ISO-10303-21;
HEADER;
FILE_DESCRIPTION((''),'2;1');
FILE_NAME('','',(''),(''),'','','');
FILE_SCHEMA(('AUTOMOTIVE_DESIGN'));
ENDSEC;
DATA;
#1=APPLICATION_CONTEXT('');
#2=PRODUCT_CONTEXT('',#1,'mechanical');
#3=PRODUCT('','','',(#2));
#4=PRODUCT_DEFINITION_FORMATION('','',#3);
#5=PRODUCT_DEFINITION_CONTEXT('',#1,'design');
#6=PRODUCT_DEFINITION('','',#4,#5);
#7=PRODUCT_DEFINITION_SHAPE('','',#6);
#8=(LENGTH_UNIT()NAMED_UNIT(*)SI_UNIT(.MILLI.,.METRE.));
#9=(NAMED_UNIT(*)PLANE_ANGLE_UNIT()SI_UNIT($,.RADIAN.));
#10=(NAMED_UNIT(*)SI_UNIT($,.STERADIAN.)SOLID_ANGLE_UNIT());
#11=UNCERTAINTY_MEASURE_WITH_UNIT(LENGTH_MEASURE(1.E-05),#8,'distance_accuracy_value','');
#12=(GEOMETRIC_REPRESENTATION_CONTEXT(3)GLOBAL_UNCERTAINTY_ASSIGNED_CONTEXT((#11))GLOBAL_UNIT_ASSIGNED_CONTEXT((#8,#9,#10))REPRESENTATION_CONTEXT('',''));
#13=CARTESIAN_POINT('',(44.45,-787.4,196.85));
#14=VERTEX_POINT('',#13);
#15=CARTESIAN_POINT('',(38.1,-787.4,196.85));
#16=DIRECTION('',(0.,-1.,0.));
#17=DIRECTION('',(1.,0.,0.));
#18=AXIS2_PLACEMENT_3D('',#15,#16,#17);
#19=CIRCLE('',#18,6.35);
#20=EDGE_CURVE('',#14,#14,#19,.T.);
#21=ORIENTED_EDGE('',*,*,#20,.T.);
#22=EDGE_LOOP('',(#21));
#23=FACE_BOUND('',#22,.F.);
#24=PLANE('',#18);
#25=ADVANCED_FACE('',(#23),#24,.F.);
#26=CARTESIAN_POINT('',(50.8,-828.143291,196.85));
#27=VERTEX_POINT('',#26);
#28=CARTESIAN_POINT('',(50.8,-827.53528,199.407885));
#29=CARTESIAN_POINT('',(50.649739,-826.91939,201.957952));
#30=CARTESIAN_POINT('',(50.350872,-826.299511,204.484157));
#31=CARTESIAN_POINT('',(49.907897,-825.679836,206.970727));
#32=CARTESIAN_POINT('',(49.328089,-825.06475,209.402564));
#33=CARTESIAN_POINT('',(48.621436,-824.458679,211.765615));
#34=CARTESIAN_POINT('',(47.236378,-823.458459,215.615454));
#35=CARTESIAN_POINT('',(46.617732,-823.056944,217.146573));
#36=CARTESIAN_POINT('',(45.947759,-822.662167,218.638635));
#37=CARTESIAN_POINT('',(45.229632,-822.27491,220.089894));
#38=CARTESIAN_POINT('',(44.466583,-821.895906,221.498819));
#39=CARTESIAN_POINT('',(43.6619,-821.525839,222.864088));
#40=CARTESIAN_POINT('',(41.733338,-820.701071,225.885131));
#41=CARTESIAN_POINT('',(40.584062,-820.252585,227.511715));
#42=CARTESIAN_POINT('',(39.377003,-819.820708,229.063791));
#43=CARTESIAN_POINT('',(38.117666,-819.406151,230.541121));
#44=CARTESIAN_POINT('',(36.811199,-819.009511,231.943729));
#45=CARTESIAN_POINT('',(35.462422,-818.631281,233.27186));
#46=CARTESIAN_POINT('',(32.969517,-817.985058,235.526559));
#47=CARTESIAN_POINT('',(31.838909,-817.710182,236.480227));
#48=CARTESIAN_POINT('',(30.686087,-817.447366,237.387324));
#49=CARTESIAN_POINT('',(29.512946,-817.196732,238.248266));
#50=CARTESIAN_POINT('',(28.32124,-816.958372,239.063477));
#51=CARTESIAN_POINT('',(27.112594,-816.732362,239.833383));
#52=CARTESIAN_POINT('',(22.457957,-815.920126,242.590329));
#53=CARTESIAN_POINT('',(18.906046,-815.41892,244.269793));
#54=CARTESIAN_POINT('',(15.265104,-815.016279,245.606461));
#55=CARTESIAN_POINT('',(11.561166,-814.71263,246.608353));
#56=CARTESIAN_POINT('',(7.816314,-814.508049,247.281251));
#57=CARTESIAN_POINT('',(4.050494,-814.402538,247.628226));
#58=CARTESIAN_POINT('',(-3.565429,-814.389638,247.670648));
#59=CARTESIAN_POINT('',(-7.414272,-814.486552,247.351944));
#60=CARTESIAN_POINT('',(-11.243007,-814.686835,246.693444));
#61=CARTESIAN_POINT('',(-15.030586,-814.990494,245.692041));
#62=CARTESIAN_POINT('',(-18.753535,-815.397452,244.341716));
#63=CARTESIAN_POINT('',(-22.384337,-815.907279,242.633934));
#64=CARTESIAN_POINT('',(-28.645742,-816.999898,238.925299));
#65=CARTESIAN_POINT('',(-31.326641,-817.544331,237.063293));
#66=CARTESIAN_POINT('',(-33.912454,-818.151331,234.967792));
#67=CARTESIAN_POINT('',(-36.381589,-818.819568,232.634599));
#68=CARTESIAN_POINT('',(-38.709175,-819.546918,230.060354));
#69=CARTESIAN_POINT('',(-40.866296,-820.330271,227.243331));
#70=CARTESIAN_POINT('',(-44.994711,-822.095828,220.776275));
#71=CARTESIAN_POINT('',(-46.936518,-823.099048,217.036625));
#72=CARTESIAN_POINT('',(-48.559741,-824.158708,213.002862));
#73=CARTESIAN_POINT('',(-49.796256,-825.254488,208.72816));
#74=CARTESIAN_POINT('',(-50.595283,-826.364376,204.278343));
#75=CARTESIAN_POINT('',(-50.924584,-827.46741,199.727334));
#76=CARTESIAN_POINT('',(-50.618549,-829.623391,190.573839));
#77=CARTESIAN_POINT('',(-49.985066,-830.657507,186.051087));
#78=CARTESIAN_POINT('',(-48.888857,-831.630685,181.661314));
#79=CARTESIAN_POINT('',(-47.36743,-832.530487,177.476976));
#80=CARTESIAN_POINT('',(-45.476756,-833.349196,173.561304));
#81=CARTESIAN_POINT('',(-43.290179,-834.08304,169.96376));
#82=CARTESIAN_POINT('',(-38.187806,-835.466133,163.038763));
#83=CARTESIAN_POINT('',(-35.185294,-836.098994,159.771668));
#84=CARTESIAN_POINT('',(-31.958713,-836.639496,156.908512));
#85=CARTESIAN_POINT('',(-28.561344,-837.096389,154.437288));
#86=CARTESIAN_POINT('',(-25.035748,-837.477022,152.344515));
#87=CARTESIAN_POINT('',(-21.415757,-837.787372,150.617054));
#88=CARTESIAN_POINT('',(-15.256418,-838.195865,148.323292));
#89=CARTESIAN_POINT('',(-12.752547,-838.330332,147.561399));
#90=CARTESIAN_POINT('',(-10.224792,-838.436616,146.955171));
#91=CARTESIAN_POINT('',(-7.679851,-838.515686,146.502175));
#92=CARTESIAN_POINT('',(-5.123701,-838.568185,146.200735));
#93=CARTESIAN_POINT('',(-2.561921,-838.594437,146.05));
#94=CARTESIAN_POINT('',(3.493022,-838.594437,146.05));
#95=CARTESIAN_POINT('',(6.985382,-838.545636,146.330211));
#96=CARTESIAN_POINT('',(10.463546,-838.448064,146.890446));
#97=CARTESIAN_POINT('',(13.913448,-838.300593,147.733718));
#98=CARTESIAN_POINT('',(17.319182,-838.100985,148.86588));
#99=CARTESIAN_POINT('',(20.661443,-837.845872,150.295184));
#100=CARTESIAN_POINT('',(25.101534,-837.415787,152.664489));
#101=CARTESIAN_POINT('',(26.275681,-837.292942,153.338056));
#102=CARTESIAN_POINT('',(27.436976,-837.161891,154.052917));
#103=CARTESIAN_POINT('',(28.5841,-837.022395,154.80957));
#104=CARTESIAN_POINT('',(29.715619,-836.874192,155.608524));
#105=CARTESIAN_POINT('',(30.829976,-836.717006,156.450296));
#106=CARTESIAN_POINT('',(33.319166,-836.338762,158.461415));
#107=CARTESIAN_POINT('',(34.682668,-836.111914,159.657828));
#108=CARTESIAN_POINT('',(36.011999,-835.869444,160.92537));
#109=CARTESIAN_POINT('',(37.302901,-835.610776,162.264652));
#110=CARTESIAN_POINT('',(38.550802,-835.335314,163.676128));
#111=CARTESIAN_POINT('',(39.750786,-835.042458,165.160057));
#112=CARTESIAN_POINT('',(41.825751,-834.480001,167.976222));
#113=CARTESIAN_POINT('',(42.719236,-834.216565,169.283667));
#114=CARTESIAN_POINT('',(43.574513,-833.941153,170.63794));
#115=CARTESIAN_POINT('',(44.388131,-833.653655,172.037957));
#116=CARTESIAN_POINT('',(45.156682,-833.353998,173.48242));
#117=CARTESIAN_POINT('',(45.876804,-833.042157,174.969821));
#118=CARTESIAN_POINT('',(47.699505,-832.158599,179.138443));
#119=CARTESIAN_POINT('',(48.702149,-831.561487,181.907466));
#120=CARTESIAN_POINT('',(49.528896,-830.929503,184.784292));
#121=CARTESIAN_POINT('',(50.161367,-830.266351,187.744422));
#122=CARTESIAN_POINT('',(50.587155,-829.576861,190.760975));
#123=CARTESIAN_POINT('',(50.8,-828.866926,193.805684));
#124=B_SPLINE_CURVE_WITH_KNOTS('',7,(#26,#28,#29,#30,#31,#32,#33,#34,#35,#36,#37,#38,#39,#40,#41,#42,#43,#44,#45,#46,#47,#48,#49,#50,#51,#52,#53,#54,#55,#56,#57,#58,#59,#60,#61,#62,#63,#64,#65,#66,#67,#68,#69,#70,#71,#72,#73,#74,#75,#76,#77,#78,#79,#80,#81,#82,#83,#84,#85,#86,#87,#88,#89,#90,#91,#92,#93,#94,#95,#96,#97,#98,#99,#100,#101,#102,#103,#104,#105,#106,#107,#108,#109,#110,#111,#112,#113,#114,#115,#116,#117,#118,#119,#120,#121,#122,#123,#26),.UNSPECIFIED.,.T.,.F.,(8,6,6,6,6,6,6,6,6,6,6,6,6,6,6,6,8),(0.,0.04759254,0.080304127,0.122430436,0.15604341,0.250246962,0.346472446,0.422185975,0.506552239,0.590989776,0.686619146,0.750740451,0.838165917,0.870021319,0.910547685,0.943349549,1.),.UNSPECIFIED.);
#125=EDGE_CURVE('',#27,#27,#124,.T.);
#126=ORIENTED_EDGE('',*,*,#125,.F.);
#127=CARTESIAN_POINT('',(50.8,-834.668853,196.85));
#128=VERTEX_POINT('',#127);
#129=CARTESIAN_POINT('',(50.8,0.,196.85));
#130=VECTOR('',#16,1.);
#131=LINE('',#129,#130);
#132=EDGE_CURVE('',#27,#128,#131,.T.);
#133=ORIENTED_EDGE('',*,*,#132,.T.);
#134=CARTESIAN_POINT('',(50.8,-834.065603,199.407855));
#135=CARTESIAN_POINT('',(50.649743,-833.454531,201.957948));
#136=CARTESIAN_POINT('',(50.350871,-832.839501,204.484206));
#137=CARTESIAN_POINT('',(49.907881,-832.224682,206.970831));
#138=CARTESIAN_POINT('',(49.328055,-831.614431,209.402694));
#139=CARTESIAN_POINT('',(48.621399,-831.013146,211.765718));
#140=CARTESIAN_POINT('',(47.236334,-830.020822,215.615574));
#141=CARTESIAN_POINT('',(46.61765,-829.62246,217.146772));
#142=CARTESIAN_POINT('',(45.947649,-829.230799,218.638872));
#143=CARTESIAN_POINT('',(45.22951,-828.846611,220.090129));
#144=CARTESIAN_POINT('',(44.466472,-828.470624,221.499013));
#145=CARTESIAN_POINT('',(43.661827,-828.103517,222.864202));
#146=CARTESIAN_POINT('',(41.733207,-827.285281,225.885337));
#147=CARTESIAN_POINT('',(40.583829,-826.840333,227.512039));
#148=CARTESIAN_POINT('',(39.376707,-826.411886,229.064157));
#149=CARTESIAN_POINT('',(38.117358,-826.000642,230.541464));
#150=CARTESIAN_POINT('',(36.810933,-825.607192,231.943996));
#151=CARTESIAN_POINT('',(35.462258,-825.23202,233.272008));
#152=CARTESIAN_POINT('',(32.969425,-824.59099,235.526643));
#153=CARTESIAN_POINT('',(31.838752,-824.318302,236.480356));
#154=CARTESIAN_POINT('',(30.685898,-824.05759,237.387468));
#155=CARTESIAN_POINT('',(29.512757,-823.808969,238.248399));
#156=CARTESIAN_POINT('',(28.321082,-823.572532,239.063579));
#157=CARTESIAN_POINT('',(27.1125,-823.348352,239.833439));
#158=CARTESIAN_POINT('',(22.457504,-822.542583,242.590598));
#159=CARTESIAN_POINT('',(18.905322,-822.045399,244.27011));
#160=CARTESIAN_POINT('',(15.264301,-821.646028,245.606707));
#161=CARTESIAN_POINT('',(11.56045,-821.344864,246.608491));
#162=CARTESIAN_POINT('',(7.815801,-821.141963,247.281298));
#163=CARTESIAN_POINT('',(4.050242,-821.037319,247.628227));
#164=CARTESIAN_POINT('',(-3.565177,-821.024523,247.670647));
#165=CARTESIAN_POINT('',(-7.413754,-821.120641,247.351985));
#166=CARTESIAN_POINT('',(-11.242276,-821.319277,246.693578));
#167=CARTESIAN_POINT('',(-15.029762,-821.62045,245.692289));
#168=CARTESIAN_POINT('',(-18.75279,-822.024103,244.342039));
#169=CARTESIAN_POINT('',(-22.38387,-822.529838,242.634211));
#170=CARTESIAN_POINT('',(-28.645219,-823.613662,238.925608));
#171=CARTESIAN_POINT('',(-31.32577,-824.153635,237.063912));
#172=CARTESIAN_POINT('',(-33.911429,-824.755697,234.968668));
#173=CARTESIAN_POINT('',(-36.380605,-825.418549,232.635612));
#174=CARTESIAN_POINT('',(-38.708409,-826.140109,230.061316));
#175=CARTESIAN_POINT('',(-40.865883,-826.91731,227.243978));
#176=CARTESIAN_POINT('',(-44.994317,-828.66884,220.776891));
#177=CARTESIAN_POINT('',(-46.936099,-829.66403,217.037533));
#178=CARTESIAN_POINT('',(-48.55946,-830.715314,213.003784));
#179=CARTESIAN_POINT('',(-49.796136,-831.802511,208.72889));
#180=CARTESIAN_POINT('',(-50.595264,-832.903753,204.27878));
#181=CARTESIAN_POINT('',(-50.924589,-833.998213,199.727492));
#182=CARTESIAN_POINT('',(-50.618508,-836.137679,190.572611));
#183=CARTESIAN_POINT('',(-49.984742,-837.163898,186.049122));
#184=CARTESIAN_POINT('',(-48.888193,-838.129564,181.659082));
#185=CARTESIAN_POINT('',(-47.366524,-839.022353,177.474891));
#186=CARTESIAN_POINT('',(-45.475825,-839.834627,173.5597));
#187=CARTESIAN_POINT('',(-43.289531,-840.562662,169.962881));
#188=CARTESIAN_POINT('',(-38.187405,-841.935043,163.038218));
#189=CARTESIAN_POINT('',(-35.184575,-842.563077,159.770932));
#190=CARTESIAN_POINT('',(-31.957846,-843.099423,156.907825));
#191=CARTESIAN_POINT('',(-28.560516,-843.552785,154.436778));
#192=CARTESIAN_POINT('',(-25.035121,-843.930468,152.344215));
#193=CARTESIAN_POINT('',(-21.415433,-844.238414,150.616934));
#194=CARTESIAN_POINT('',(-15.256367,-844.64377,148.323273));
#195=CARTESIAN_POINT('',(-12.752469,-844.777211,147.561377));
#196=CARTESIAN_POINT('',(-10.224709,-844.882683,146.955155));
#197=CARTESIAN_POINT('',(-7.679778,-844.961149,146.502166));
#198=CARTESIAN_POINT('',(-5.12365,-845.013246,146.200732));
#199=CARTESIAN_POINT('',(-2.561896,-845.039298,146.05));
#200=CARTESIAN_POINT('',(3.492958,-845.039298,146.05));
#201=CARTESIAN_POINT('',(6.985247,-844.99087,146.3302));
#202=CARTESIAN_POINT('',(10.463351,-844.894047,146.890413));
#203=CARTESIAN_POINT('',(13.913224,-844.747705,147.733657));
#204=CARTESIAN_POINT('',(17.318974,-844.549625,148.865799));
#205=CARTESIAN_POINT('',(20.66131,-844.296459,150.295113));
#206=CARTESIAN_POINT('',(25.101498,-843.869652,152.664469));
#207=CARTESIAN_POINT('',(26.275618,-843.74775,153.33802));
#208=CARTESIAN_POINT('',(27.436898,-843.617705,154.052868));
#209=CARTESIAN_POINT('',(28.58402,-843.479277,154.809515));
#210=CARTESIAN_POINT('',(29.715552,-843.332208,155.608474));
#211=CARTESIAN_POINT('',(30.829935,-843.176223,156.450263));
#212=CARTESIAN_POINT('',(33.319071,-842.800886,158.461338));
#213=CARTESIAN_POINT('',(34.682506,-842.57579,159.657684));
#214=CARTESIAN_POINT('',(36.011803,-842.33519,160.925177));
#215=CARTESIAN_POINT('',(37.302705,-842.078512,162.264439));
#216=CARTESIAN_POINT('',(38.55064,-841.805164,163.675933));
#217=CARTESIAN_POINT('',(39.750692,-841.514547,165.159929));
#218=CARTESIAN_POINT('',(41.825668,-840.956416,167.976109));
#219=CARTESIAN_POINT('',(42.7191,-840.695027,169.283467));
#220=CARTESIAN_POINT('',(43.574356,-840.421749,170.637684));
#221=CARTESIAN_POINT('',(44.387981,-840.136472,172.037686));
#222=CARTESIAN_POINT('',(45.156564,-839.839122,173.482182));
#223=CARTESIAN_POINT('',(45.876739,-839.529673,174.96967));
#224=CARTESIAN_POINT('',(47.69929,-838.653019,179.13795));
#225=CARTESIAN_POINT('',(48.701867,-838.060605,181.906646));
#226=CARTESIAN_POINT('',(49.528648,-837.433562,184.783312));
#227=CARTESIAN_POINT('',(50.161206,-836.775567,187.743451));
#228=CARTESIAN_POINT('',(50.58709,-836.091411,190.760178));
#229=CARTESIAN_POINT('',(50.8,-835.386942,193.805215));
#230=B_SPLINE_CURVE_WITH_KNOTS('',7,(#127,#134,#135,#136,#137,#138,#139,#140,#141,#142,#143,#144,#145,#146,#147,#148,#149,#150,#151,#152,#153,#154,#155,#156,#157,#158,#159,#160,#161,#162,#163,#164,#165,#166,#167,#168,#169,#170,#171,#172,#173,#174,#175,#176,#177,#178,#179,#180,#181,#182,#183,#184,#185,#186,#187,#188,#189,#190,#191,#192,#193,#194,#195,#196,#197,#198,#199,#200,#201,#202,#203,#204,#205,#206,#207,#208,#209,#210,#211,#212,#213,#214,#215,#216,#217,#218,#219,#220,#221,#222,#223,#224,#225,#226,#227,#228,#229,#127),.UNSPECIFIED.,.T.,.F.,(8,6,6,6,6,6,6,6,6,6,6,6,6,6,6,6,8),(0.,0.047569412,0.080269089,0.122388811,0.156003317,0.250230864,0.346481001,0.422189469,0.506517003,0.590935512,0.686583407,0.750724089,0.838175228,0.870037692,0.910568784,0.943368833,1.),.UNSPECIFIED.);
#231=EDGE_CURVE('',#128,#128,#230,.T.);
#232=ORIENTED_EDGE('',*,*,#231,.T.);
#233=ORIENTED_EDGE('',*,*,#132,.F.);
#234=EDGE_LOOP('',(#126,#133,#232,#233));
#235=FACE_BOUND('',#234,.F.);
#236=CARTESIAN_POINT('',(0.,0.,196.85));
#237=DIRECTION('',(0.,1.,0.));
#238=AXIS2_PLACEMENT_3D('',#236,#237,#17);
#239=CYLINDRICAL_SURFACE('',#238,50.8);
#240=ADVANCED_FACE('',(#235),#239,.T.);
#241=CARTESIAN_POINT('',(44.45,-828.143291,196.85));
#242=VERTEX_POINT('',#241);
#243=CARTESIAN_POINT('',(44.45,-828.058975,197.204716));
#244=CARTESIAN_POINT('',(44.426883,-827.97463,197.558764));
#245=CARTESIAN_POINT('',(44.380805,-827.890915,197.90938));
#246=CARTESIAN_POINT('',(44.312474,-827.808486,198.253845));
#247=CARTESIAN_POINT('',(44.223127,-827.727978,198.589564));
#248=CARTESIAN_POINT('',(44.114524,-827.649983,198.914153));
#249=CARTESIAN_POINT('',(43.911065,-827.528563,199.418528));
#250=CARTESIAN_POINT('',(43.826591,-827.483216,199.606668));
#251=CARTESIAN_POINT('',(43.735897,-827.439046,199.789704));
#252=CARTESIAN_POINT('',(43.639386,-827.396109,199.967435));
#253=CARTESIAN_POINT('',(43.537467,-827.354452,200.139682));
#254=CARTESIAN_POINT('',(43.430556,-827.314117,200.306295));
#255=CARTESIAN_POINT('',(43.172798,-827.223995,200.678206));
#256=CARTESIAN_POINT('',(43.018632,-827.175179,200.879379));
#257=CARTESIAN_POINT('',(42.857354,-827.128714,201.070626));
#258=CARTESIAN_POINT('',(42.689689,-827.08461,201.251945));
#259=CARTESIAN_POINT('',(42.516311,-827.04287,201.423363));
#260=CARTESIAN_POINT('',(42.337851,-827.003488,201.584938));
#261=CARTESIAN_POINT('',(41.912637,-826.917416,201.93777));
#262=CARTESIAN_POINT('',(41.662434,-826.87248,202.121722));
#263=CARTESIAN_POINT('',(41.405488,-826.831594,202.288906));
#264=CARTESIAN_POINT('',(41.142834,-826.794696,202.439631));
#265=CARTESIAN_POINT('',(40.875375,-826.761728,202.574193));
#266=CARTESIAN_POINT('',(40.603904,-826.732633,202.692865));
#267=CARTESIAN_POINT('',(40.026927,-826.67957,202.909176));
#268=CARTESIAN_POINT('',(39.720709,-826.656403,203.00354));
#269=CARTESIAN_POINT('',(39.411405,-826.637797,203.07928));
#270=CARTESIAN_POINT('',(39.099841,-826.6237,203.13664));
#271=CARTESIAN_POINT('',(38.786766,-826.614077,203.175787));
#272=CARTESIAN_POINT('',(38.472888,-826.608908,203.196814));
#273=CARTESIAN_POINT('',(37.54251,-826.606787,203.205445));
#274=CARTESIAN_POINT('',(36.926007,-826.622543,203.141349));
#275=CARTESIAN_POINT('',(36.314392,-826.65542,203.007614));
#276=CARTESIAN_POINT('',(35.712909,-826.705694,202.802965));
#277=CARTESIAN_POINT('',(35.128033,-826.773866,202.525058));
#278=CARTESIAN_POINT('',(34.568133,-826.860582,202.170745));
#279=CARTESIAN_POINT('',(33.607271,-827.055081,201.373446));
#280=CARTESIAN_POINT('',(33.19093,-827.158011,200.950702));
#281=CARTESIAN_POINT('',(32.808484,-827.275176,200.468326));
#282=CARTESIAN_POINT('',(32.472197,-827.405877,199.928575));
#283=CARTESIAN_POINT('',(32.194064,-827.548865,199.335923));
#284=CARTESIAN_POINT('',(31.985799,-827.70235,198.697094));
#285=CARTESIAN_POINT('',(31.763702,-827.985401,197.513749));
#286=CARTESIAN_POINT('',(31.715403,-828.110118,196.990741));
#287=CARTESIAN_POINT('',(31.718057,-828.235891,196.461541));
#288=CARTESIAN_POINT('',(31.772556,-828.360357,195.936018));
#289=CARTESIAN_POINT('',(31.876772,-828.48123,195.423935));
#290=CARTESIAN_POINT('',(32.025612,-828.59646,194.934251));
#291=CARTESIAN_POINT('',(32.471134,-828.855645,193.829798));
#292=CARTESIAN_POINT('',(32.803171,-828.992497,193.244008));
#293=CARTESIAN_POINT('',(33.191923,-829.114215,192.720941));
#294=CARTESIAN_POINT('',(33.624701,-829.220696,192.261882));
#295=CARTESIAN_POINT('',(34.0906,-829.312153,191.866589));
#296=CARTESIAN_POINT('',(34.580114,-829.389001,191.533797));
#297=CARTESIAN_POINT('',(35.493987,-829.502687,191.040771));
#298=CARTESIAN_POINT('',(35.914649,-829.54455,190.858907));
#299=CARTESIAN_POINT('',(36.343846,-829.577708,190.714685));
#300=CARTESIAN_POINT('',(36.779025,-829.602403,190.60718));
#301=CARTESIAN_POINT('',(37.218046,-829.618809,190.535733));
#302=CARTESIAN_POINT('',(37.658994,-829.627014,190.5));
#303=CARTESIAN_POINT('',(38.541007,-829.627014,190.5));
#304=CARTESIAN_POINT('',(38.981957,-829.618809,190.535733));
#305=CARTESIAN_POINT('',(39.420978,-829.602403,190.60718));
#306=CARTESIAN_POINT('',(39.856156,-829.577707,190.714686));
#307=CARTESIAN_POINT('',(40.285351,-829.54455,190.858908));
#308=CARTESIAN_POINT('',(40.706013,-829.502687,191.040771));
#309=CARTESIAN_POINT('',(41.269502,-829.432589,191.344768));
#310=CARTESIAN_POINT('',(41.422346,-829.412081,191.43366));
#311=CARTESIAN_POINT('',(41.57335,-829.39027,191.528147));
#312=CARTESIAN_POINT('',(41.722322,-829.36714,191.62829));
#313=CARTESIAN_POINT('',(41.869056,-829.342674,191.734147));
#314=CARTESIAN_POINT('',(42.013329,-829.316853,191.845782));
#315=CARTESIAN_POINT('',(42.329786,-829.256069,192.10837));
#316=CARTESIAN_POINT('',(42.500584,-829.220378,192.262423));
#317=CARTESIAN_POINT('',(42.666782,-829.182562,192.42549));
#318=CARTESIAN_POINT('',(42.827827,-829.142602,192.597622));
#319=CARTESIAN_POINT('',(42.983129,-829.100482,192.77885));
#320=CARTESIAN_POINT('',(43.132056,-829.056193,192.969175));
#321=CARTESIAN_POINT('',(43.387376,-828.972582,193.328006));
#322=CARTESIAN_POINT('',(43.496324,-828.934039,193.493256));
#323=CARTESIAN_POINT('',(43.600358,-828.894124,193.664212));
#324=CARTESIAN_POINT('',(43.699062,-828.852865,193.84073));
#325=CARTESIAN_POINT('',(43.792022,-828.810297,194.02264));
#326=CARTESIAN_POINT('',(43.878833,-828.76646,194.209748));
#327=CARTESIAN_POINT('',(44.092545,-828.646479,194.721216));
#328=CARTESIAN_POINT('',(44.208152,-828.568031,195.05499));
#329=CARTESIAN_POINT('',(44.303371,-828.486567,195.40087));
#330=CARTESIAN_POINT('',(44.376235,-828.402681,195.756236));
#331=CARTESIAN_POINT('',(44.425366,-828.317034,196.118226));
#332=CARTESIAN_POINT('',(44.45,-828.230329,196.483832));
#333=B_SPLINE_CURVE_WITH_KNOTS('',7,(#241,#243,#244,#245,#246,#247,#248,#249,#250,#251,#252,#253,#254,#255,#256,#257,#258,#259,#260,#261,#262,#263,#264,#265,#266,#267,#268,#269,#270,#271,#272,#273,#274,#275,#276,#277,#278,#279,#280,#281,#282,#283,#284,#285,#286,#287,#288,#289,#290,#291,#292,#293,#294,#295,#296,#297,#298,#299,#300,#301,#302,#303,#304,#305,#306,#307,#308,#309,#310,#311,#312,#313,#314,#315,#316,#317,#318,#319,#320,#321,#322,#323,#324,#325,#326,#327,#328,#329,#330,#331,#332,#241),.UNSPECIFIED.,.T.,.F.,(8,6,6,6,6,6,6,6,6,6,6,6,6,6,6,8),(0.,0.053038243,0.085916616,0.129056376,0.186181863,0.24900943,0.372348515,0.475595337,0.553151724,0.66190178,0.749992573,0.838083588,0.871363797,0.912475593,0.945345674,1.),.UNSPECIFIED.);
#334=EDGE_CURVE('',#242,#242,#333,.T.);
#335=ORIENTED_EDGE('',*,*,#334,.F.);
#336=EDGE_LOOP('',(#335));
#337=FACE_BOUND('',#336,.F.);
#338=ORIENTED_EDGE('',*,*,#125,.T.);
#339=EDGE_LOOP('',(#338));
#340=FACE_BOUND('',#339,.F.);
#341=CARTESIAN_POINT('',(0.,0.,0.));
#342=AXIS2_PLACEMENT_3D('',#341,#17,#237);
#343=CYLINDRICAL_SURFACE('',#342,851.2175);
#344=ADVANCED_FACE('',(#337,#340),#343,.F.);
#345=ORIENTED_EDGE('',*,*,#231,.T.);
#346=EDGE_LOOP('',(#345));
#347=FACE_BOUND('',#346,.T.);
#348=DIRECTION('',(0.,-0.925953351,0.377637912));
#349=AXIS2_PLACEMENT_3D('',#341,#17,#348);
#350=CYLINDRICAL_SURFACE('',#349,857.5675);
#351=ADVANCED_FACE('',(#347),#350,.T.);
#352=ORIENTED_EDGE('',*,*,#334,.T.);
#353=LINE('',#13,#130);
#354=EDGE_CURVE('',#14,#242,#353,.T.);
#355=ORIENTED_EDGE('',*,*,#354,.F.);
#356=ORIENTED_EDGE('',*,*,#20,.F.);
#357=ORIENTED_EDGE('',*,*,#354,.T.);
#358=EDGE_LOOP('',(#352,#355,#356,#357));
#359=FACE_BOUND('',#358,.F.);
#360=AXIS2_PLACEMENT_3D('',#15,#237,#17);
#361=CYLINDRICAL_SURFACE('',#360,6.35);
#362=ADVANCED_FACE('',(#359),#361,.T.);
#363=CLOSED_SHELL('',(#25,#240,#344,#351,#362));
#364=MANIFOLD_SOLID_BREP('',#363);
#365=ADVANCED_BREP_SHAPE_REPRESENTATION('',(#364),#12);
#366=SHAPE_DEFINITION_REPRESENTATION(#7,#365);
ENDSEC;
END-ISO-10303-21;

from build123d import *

# Parameters (mm, degrees)
F1_DEPTH = 50.8
F2_R     = 851.2175
F3_DEPTH = 50.8
F4_W     = 254
F4_H     = 762
F4_R     = 50.8
F5_DEPTH = 857.5685
F7_R     = 6.35


with BuildPart() as f1:
    # F0 (on Right) → F1 (new body, symmetric)
    with BuildSketch(Plane.YZ):
        with BuildLine():
            Line((-794.0675, -323.85), (-794.0675, 323.85))
            ThreePointArc((-794.0675, 323.85), (-857.5675, 0), (-794.0675, -323.85))
        make_face()
    extrude(amount=F1_DEPTH, both=True)

    # F2 (on Right) → F3 (cut, symmetric)
    with BuildSketch(Plane.YZ):
        Circle(F2_R)
    extrude(amount=F3_DEPTH, both=True, mode=Mode.SUBTRACT)

    # F4 (on Front) → F5 (cut, through all)
    with BuildSketch(Plane.XZ):
        Rectangle(F4_W, F4_H)
        with Locations((0, 196.85)):
            Circle(F4_R, mode=Mode.SUBTRACT)
    extrude(amount=F5_DEPTH, mode=Mode.SUBTRACT)

    # F7 (on offset) → F8 (join, up to the next surface of F1)
    with BuildSketch(Plane.XZ.offset(787.4)):
        with Locations((38.1, 196.85)):
            Circle(F7_R)
    extrude(until=Until.NEXT)


solid = f1.part
